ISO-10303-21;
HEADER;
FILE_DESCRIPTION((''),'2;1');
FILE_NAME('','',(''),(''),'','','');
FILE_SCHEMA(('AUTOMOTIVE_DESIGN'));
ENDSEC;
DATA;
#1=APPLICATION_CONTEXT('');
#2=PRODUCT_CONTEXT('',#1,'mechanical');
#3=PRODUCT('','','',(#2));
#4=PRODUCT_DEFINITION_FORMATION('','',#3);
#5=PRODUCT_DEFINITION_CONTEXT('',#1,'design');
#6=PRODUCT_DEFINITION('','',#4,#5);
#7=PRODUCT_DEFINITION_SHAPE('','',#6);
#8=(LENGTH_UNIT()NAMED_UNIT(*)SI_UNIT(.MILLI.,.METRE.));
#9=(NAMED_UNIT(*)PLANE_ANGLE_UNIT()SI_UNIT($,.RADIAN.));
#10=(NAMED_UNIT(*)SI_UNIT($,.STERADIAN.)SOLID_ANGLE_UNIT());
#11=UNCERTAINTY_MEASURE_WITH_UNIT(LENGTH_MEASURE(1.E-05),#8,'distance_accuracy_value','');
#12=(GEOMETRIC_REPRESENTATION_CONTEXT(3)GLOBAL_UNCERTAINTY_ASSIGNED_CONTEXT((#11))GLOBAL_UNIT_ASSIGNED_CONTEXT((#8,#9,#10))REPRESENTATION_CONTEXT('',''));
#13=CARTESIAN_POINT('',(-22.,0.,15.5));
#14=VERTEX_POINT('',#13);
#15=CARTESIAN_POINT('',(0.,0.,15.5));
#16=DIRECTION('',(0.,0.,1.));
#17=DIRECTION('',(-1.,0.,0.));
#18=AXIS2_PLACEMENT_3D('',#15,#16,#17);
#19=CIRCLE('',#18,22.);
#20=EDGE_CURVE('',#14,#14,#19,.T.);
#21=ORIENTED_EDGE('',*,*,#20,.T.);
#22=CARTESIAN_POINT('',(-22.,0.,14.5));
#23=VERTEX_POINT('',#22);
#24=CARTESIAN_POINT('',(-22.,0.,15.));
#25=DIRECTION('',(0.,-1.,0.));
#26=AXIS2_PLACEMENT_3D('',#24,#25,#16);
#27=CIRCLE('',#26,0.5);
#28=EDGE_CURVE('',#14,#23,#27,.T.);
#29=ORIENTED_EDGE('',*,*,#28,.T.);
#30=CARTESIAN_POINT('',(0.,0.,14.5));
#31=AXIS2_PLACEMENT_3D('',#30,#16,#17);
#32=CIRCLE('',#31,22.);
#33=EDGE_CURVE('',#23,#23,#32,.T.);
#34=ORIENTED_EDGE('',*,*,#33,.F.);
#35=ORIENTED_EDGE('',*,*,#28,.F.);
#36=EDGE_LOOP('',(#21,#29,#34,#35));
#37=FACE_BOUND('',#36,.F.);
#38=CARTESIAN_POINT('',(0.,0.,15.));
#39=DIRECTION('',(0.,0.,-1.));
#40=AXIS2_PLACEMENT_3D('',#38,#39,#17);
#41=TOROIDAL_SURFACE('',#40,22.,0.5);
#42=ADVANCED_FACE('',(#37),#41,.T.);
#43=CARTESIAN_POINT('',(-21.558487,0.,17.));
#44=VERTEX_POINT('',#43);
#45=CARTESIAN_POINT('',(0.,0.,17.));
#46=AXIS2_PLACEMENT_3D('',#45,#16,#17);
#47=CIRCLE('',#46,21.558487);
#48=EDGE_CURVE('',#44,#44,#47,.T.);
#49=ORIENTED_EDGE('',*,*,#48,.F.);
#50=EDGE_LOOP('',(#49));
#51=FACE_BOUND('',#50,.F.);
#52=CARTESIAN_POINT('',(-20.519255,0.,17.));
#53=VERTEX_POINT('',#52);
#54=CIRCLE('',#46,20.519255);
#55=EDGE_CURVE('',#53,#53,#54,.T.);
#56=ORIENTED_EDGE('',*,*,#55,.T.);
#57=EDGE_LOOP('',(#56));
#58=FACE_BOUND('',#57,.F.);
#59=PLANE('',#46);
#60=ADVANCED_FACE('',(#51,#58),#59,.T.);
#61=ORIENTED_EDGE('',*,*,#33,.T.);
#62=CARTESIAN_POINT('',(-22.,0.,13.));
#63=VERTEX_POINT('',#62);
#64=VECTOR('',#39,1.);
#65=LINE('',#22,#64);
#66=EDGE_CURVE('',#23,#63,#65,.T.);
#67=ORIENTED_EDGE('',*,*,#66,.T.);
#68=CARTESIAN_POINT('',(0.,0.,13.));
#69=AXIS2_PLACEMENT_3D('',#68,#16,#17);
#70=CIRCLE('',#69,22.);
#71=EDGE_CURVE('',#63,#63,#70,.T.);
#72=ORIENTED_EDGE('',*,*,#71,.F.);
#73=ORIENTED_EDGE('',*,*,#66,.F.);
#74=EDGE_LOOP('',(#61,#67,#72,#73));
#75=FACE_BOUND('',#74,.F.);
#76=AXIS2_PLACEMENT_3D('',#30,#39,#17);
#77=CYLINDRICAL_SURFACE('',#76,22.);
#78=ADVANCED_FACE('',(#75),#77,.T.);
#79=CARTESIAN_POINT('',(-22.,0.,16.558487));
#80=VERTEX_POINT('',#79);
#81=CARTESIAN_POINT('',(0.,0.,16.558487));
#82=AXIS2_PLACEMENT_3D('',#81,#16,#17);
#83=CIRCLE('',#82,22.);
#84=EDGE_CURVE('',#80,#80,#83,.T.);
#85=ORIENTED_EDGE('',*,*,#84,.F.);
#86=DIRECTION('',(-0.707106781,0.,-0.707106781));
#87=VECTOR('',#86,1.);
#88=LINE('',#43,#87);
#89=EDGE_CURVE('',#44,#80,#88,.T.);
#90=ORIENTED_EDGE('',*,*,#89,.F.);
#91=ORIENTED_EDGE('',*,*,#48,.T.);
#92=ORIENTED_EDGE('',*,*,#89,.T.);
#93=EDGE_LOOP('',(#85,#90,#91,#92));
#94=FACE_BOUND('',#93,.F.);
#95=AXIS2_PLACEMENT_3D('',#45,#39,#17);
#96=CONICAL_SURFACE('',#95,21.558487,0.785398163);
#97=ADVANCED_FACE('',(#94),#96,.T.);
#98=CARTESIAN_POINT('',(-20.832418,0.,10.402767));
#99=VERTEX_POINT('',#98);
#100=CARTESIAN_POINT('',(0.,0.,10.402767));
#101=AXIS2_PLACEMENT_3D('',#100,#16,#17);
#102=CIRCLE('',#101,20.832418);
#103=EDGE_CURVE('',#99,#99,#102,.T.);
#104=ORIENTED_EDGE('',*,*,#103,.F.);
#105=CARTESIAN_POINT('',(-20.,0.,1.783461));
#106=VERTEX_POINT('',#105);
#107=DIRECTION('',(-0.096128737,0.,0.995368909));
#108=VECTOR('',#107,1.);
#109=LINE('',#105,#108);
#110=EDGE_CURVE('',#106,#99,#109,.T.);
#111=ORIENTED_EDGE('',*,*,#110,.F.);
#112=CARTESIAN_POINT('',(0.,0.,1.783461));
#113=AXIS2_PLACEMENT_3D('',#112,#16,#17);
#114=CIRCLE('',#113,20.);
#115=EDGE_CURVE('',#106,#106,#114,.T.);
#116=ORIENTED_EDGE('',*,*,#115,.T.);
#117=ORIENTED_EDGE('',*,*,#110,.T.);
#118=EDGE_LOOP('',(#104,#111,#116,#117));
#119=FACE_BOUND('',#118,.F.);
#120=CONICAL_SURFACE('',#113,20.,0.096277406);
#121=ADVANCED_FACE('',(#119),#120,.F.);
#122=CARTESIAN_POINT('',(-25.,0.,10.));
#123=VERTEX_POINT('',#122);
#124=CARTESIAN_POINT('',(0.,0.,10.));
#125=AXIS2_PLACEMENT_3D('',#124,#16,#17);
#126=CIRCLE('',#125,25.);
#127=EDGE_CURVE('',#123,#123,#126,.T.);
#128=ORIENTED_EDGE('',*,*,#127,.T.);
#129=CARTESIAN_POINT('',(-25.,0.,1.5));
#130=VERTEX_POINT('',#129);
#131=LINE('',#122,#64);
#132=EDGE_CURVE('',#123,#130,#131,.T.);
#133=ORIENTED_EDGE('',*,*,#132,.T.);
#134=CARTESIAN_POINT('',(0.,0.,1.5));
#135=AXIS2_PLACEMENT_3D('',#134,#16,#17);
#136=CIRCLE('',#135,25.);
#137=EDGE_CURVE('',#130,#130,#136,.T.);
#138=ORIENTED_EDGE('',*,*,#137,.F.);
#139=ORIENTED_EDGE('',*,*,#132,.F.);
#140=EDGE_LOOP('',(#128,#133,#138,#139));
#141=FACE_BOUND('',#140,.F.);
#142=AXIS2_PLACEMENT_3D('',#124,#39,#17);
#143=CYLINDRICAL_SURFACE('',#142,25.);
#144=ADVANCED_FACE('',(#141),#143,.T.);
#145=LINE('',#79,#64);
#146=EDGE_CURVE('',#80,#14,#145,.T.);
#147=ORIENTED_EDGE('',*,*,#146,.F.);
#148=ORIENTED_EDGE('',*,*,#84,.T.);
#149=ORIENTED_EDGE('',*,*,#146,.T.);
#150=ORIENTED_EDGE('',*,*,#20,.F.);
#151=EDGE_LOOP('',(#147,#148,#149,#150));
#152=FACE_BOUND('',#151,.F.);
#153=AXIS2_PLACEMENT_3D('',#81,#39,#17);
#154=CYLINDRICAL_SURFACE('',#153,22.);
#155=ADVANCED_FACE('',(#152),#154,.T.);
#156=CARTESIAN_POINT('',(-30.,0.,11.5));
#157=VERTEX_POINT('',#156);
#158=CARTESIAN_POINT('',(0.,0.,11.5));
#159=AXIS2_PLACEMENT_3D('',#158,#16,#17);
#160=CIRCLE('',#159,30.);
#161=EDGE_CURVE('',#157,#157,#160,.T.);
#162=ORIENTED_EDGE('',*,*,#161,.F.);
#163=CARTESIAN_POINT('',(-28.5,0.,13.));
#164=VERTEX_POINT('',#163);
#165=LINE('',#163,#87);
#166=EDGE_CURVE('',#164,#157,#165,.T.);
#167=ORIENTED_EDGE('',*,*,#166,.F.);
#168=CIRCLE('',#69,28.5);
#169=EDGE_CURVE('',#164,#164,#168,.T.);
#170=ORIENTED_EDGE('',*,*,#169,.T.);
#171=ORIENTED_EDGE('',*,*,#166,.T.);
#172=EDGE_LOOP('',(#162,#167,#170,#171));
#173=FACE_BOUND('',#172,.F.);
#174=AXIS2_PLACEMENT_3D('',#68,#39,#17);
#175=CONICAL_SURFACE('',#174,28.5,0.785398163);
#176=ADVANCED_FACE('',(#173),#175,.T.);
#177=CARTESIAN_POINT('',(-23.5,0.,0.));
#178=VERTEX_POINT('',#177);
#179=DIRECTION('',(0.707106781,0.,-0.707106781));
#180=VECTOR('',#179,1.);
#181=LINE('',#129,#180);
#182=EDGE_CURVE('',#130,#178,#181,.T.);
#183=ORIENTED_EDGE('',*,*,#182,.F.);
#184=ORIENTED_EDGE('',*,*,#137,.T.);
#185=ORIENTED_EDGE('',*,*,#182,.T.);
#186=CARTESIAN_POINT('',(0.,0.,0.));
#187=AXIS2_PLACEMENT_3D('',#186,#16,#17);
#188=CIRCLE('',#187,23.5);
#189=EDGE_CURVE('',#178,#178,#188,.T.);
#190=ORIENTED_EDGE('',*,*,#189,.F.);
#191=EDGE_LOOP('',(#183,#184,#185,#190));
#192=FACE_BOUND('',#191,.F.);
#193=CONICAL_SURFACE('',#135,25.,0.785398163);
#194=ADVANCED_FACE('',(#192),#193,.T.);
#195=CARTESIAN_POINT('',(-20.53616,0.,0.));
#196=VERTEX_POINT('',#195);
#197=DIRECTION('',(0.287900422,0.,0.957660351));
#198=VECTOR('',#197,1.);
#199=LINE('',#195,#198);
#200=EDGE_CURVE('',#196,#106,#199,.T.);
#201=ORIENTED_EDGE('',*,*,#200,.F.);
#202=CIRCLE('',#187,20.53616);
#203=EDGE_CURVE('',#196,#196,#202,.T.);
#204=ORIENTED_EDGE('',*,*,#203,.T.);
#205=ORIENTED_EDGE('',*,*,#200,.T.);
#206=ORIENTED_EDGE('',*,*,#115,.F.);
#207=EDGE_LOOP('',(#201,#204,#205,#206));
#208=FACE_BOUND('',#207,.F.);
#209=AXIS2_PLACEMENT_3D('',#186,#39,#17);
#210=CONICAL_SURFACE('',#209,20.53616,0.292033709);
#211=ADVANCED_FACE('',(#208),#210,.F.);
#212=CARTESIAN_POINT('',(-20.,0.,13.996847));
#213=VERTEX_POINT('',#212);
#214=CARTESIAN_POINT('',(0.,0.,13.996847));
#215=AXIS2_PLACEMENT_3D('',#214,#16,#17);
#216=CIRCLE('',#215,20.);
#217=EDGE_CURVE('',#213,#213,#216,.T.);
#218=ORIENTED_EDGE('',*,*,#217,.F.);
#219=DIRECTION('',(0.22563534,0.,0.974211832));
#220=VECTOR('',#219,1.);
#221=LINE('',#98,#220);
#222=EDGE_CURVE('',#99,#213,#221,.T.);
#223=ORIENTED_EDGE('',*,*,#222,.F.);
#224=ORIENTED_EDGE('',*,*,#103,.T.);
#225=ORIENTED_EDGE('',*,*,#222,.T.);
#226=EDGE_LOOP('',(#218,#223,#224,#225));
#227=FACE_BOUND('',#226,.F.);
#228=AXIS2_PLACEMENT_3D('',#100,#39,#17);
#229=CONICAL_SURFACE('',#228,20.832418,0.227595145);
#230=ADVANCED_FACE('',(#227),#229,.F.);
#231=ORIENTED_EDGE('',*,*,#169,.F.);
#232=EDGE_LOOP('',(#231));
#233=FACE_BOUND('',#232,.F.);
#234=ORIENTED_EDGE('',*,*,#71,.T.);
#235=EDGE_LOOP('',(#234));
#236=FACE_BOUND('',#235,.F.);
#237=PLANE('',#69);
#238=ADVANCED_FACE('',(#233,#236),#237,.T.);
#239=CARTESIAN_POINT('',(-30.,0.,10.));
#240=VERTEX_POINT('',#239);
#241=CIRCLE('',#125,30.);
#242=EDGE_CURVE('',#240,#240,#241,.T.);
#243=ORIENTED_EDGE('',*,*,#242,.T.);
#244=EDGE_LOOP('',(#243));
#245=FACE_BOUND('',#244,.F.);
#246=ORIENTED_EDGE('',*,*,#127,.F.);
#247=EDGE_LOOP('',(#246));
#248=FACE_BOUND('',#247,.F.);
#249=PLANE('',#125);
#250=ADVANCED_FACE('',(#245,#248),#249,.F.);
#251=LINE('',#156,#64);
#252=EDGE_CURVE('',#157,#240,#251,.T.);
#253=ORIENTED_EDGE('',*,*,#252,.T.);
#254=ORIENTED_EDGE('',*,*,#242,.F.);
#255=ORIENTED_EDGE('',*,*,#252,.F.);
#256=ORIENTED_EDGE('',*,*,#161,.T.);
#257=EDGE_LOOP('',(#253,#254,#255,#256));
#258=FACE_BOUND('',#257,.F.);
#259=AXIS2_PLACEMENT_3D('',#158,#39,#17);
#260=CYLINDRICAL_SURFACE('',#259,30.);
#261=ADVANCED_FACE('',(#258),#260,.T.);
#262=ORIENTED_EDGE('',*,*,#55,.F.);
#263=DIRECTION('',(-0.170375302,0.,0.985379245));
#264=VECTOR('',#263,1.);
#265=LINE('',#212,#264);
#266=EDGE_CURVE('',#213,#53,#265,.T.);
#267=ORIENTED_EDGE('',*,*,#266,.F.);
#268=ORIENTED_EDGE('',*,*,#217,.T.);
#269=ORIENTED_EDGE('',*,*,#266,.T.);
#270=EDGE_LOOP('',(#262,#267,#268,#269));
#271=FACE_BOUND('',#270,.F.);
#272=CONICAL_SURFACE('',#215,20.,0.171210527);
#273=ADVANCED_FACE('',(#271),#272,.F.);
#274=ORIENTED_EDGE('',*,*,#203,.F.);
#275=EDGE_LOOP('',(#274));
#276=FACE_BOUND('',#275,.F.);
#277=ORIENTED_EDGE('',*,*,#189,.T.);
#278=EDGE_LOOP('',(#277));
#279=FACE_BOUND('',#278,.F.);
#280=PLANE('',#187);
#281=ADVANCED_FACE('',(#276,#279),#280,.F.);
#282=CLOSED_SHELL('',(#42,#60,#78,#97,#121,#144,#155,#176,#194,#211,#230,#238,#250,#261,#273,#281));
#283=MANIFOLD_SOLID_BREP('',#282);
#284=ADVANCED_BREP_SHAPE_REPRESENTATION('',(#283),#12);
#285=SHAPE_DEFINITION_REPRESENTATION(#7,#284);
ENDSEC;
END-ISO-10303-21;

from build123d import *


with BuildPart() as f1:
    # F0 (on Front) → F1 (revolve)
    with BuildSketch(Plane.XZ):
        with BuildLine():
            Line((-23.5, 0), (-20.53616, 0))
            Line((-20.53616, 0), (-20, 1.783461))
            Line((-20, 1.783461), (-20.832418, 10.402767))
            Line((-20.832418, 10.402767), (-20, 13.996847))
            Line((-20, 13.996847), (-20.519255, 17))
            Line((-20.519255, 17), (-21.558487, 17))
            Line((-21.558487, 17), (-22, 16.558487))
            Line((-22, 16.558487), (-22, 15.5))
            ThreePointArc((-22, 15.5), (-22.5, 15), (-22, 14.5))
            Line((-22, 14.5), (-22, 13))
            Line((-22, 13), (-28.5, 13))
            Line((-28.5, 13), (-30, 11.5))
            Line((-30, 11.5), (-30, 10))
            Line((-30, 10), (-25, 10))
            Line((-25, 10), (-25, 1.5))
            Line((-25, 1.5), (-23.5, 0))
        make_face()
    revolve(axis=Axis((0, 0, 21.225085), (0, 0, 1)))


solid = f1.part
